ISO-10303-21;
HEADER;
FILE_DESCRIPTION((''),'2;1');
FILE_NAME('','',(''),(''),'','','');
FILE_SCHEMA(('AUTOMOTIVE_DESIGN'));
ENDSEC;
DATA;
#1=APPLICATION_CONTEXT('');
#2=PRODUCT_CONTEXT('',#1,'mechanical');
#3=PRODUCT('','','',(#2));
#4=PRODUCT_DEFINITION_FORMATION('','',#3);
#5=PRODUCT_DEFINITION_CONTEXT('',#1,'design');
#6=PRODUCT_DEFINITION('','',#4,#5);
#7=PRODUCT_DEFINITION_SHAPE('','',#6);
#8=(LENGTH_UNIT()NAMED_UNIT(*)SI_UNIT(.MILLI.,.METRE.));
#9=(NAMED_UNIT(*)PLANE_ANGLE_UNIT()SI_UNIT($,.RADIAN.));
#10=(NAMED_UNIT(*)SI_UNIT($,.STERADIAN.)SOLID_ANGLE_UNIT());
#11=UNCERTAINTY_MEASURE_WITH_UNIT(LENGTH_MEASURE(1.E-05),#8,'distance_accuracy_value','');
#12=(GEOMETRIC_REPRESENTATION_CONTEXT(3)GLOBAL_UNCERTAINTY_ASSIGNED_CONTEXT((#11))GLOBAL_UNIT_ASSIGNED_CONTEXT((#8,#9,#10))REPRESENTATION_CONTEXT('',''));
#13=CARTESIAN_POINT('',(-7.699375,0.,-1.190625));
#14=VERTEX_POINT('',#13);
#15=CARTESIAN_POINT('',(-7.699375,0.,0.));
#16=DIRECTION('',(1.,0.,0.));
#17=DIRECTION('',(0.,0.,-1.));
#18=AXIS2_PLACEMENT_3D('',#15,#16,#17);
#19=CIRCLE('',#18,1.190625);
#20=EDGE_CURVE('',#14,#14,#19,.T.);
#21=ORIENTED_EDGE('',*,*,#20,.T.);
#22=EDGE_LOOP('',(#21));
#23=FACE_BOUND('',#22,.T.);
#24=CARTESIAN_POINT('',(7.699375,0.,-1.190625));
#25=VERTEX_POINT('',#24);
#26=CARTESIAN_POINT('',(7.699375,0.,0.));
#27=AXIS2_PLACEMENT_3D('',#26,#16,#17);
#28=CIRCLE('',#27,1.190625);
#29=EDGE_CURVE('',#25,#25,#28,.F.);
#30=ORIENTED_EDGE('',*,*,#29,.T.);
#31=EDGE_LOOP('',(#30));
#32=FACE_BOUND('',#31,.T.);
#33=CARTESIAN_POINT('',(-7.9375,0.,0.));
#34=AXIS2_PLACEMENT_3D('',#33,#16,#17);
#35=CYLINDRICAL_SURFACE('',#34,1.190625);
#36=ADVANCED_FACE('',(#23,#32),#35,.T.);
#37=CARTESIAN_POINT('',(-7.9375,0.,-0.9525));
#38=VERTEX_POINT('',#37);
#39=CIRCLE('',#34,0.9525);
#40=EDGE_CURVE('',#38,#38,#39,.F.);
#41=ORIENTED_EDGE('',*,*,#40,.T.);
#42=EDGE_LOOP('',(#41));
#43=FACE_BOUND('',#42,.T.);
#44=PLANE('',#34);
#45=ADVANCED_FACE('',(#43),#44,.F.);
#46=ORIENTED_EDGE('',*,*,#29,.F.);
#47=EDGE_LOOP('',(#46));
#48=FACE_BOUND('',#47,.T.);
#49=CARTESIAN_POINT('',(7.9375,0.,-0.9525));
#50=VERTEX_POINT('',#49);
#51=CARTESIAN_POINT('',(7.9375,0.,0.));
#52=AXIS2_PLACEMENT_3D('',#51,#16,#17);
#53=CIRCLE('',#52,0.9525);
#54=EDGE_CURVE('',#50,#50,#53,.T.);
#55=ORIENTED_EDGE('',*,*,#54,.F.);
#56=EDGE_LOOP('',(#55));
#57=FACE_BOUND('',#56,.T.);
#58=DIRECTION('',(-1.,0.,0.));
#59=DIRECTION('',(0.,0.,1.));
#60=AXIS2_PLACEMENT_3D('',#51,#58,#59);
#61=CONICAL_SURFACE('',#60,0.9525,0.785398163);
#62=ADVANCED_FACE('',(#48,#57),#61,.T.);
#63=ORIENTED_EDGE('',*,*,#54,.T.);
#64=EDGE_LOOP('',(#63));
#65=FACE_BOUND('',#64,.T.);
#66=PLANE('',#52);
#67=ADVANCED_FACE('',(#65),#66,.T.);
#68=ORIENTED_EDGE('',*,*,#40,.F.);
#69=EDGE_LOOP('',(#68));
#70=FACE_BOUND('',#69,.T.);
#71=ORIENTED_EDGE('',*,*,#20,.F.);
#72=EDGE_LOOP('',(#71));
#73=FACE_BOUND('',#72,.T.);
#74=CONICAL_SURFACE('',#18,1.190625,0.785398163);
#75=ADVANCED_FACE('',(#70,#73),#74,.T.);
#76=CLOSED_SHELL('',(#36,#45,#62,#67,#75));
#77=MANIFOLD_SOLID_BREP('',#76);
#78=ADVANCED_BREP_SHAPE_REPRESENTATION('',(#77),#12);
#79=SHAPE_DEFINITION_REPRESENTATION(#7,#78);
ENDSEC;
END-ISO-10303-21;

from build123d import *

# Parameters (mm, degrees)
SKETCH2_R           = 1.190625
EXTRUDE1_DEPTH      = 7.9375
EXTRUDE1_DEPTH_BACK = 7.9375
CHAMFER1_SIZE       = 0.238125


with BuildPart() as part:
    # Sketch2 → Extrude1 (new body, two sides)
    with BuildSketch(Plane(origin=(0, 0, 0), x_dir=(0, 0, -1), z_dir=(1, 0, 0))) as extrude1_sk:
        Circle(SKETCH2_R)
    extrude(amount=EXTRUDE1_DEPTH)
    extrude(extrude1_sk.sketch, amount=-EXTRUDE1_DEPTH_BACK)

    # Chamfer1
    chamfer1_edges = [part.edges().sort_by_distance(p)[0] for p in [
        (-7.9375, 0, 1.190625),
        (7.9375, 0, 1.190625),
    ]]
    chamfer(chamfer1_edges, length=CHAMFER1_SIZE)


solid = part.part
